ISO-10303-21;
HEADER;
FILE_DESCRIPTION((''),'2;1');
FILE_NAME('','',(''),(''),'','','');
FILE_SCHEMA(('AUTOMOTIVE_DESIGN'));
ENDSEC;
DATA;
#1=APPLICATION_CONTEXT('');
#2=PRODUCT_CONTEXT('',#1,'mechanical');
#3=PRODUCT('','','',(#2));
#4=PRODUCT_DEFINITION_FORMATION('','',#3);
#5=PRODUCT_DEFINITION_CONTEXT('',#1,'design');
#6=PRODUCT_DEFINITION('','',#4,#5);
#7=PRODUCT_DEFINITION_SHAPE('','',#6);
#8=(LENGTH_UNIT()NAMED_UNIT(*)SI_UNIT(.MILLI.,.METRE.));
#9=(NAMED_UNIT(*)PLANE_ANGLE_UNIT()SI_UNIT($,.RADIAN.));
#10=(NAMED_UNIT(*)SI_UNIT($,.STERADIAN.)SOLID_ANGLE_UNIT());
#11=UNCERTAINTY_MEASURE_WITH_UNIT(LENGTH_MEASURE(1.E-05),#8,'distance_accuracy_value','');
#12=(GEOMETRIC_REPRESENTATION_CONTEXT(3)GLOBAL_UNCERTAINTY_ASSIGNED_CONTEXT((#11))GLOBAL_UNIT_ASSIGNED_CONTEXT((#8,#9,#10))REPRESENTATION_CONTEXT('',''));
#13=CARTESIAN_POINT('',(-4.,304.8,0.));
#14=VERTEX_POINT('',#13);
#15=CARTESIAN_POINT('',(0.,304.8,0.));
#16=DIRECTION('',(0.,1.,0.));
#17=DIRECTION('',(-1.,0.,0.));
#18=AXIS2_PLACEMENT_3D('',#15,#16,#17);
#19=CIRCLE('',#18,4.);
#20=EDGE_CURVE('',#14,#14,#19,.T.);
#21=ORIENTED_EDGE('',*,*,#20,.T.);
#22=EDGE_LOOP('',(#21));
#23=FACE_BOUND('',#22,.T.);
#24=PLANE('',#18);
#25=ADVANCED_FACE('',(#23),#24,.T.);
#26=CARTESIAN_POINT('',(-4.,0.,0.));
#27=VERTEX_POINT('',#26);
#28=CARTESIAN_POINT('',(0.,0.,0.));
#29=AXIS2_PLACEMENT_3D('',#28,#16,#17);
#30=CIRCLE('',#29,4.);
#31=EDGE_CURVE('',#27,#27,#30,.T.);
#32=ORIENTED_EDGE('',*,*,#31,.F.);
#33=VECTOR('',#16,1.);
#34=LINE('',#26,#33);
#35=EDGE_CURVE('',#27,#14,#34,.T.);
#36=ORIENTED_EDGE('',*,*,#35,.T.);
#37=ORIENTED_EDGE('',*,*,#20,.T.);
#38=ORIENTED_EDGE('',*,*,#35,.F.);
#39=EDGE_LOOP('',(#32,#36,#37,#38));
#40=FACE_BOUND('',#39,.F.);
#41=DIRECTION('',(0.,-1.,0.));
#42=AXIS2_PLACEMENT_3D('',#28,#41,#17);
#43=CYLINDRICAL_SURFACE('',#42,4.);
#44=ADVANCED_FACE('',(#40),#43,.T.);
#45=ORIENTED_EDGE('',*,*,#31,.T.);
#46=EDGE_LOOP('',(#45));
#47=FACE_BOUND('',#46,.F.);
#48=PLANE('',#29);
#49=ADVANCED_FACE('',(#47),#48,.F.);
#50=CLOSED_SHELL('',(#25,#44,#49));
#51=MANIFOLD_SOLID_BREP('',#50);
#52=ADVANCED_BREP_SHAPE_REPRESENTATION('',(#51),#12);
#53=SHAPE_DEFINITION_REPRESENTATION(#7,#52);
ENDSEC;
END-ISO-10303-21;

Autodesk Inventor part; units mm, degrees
ref_plane "YZ Plane" through (0, 0, 0) normal (1, 0, 0) x (0, 1, 0)
ref_plane "XZ Plane" through (0, 0, 0) normal (0, 1, 0) x (-1, 0, 0)
ref_plane "XY Plane" through (0, 0, 0) normal (0, 0, 1) x (1, 0, 0)
sketch "Sketch1" plane through (0, 0, 0) normal (0, 1, 0) x (-1, 0, 0)
  circle A0 centre (0, 0) radius 4
  dimension "d0" = 8
extrude "Extrusion1" add sketch "Sketch1" along normal blind 304.8
equation "\"d1\" = m8_rail_height"
equation "\"m8_rail_height\" = linear_bearing_z"
equation "\"wood_thickness\" = 6.72"
equation "\"m3_diameter\" = 3.15"
equation "\"m5_diameter\" = 5.25"
equation "\"stepper_screw_space\" = 35"
equation "\"stepper_shaft_diameter\" = 5"
equation "\"stepper_body_diameter\" = 28"
equation "\"laser_body_diameter\" = 12"
equation "\"thick_acrylic\" = 5.88"
equation "\"carrier_y\" = 181"
equation "\"reservoir_x\" = 151"
equation "\"reservoir_y\" = 151"
equation "\"thin_acrylic\" = 3.15"
equation "\"linear_bearing_spacing\" = 207"
equation "\"linear_bearing_z\" = 304.8"
equation "\"threaded_rod_z\" = 203.2"
equation "\"motor_spacing\" = 287"
equation "\"tray_boarder\" = 15"
equation "\"tray_x\" = 151"
equation "\"tray_y\" = 181"
equation "\"brass_insert_drill\" = 4"
equation "\"brass_keep_out\" = 8"
equation "\"tape_keep_out\" = 2"
equation "\"tape_thickness\" = 2"
equation "\"crane_x\" = 244.56"
equation "\"z_min_from_center\" = 72.28"
equation "\"printer_z\" = 289"
equation "\"carrier_z\" = 233.04"
equation "\"carrier_z2\" = 283.04"
equation "\"window_z\" = 185"
equation "\"window_slot\" = 25"
equation "\"frame_tilt\" = 0"
equation "\"lcd_y\" = 25"
equation "\"lcd_x\" = 72"
equation "\"clear_acrylic\" = 3.15"
equation "\"subframe_y_offset\" = 27.5"
equation "\"laser_y_offset\" = 19.4"
equation "\"laser_diameter\" = 12"
equation "\"laser_z\" = 33"
equation "\"laser_y\" = 33"
equation "\"frame_bottom_z\" = 225"
equation "\"frame_y\" = 68.44"
equation "\"frame_top_z\" = 295"
equation "\"frame_border\" = 39.5"
equation "\"t_frame\" = 6.72"
equation "\"t_carrier\" = 6.72"
equation "\"t_tray\" = 3.15"
equation "\"tray_border\" = 15"
equation "\"t_wall\" = 5.88"
equation "\"galvo_frame_x\" = 66"
equation "\"galvo_frame_z\" = 65"
equation "\"t_galvo_frame\" = 6.72"
equation "\"galvo_frame_y_offset\" = 27.5"
equation "\"m4_diameter\" = 4.2"
equation "\"window_y\" = 49.56"
equation "\"t_window\" = 3.15"
equation "\"laser_x\" = 62"
equation "\"drawer_y\" = 49.56"
equation "\"drawer_x\" = 181"
equation "\"drawer_z\" = 206.72"
equation "\"frame_foot_z\" = 49.5"
equation "\"drawer_z_from_bottom\" = 25"
equation "\"t_crane\" = 6.72"
equation "\"end_stop_offset_x\" = 83"
equation "\"end_stop_spacing\" = 19"
equation "\"thumb_nut_offset_y\" = 11.72"
equation "\"thumb_nut_diameter\" = 7"
equation "\"frame_foot_extension\" = 6"
equation "\"m5_brass_insert_drill\" = 6.7"
equation "\"m3_brass_insert_drill\" = 4"
equation "\"door_sensor\" = 35"
equation "\"protection_slot\" = 30.2"
equation "\"protection_slot_offset\" = 37.75"
equation "\"protection_slot_length\" = 20.6"
equation "\"m3_main_extra\" = 1"
equation "\"m3_main_nut_width\" = 5.7"
equation "\"m3_main_length\" = 14"
equation "\"m3_main_nut_thickness\" = 2.5"
equation "\"bed_t\" = 1.5875"
equation "\"al1_thickness\" = 1.5875"
equation "\"bed_fold_x\" = 15"
equation "\"bed_gap\" = 0.3"
equation "\"bed_y2\" = 45.96"
equation "\"m5_press_nut_drill\" = 6.35"
equation "\"asym_key\" = 0"
equation "\"small_round\" = 2"
equation "\"drawer_foot_mount\" = 18"
equation "\"inner_tray_x\" = 145"
equation "\"t_tape\" = 3"
equation "\"inner_tray_y\" = 145"
equation "\"t_inner_tray\" = 5.88"
equation "\"inner_tray_border\" = 5"
equation "\"inner_tray_radius\" = 24"
equation "\"bottom_clear_border\" = 5"
equation "\"t_bottom_clear\" = 3.15"
equation "\"laser_screw_spacing_y\" = 16"
properties part number "m8_rail"
